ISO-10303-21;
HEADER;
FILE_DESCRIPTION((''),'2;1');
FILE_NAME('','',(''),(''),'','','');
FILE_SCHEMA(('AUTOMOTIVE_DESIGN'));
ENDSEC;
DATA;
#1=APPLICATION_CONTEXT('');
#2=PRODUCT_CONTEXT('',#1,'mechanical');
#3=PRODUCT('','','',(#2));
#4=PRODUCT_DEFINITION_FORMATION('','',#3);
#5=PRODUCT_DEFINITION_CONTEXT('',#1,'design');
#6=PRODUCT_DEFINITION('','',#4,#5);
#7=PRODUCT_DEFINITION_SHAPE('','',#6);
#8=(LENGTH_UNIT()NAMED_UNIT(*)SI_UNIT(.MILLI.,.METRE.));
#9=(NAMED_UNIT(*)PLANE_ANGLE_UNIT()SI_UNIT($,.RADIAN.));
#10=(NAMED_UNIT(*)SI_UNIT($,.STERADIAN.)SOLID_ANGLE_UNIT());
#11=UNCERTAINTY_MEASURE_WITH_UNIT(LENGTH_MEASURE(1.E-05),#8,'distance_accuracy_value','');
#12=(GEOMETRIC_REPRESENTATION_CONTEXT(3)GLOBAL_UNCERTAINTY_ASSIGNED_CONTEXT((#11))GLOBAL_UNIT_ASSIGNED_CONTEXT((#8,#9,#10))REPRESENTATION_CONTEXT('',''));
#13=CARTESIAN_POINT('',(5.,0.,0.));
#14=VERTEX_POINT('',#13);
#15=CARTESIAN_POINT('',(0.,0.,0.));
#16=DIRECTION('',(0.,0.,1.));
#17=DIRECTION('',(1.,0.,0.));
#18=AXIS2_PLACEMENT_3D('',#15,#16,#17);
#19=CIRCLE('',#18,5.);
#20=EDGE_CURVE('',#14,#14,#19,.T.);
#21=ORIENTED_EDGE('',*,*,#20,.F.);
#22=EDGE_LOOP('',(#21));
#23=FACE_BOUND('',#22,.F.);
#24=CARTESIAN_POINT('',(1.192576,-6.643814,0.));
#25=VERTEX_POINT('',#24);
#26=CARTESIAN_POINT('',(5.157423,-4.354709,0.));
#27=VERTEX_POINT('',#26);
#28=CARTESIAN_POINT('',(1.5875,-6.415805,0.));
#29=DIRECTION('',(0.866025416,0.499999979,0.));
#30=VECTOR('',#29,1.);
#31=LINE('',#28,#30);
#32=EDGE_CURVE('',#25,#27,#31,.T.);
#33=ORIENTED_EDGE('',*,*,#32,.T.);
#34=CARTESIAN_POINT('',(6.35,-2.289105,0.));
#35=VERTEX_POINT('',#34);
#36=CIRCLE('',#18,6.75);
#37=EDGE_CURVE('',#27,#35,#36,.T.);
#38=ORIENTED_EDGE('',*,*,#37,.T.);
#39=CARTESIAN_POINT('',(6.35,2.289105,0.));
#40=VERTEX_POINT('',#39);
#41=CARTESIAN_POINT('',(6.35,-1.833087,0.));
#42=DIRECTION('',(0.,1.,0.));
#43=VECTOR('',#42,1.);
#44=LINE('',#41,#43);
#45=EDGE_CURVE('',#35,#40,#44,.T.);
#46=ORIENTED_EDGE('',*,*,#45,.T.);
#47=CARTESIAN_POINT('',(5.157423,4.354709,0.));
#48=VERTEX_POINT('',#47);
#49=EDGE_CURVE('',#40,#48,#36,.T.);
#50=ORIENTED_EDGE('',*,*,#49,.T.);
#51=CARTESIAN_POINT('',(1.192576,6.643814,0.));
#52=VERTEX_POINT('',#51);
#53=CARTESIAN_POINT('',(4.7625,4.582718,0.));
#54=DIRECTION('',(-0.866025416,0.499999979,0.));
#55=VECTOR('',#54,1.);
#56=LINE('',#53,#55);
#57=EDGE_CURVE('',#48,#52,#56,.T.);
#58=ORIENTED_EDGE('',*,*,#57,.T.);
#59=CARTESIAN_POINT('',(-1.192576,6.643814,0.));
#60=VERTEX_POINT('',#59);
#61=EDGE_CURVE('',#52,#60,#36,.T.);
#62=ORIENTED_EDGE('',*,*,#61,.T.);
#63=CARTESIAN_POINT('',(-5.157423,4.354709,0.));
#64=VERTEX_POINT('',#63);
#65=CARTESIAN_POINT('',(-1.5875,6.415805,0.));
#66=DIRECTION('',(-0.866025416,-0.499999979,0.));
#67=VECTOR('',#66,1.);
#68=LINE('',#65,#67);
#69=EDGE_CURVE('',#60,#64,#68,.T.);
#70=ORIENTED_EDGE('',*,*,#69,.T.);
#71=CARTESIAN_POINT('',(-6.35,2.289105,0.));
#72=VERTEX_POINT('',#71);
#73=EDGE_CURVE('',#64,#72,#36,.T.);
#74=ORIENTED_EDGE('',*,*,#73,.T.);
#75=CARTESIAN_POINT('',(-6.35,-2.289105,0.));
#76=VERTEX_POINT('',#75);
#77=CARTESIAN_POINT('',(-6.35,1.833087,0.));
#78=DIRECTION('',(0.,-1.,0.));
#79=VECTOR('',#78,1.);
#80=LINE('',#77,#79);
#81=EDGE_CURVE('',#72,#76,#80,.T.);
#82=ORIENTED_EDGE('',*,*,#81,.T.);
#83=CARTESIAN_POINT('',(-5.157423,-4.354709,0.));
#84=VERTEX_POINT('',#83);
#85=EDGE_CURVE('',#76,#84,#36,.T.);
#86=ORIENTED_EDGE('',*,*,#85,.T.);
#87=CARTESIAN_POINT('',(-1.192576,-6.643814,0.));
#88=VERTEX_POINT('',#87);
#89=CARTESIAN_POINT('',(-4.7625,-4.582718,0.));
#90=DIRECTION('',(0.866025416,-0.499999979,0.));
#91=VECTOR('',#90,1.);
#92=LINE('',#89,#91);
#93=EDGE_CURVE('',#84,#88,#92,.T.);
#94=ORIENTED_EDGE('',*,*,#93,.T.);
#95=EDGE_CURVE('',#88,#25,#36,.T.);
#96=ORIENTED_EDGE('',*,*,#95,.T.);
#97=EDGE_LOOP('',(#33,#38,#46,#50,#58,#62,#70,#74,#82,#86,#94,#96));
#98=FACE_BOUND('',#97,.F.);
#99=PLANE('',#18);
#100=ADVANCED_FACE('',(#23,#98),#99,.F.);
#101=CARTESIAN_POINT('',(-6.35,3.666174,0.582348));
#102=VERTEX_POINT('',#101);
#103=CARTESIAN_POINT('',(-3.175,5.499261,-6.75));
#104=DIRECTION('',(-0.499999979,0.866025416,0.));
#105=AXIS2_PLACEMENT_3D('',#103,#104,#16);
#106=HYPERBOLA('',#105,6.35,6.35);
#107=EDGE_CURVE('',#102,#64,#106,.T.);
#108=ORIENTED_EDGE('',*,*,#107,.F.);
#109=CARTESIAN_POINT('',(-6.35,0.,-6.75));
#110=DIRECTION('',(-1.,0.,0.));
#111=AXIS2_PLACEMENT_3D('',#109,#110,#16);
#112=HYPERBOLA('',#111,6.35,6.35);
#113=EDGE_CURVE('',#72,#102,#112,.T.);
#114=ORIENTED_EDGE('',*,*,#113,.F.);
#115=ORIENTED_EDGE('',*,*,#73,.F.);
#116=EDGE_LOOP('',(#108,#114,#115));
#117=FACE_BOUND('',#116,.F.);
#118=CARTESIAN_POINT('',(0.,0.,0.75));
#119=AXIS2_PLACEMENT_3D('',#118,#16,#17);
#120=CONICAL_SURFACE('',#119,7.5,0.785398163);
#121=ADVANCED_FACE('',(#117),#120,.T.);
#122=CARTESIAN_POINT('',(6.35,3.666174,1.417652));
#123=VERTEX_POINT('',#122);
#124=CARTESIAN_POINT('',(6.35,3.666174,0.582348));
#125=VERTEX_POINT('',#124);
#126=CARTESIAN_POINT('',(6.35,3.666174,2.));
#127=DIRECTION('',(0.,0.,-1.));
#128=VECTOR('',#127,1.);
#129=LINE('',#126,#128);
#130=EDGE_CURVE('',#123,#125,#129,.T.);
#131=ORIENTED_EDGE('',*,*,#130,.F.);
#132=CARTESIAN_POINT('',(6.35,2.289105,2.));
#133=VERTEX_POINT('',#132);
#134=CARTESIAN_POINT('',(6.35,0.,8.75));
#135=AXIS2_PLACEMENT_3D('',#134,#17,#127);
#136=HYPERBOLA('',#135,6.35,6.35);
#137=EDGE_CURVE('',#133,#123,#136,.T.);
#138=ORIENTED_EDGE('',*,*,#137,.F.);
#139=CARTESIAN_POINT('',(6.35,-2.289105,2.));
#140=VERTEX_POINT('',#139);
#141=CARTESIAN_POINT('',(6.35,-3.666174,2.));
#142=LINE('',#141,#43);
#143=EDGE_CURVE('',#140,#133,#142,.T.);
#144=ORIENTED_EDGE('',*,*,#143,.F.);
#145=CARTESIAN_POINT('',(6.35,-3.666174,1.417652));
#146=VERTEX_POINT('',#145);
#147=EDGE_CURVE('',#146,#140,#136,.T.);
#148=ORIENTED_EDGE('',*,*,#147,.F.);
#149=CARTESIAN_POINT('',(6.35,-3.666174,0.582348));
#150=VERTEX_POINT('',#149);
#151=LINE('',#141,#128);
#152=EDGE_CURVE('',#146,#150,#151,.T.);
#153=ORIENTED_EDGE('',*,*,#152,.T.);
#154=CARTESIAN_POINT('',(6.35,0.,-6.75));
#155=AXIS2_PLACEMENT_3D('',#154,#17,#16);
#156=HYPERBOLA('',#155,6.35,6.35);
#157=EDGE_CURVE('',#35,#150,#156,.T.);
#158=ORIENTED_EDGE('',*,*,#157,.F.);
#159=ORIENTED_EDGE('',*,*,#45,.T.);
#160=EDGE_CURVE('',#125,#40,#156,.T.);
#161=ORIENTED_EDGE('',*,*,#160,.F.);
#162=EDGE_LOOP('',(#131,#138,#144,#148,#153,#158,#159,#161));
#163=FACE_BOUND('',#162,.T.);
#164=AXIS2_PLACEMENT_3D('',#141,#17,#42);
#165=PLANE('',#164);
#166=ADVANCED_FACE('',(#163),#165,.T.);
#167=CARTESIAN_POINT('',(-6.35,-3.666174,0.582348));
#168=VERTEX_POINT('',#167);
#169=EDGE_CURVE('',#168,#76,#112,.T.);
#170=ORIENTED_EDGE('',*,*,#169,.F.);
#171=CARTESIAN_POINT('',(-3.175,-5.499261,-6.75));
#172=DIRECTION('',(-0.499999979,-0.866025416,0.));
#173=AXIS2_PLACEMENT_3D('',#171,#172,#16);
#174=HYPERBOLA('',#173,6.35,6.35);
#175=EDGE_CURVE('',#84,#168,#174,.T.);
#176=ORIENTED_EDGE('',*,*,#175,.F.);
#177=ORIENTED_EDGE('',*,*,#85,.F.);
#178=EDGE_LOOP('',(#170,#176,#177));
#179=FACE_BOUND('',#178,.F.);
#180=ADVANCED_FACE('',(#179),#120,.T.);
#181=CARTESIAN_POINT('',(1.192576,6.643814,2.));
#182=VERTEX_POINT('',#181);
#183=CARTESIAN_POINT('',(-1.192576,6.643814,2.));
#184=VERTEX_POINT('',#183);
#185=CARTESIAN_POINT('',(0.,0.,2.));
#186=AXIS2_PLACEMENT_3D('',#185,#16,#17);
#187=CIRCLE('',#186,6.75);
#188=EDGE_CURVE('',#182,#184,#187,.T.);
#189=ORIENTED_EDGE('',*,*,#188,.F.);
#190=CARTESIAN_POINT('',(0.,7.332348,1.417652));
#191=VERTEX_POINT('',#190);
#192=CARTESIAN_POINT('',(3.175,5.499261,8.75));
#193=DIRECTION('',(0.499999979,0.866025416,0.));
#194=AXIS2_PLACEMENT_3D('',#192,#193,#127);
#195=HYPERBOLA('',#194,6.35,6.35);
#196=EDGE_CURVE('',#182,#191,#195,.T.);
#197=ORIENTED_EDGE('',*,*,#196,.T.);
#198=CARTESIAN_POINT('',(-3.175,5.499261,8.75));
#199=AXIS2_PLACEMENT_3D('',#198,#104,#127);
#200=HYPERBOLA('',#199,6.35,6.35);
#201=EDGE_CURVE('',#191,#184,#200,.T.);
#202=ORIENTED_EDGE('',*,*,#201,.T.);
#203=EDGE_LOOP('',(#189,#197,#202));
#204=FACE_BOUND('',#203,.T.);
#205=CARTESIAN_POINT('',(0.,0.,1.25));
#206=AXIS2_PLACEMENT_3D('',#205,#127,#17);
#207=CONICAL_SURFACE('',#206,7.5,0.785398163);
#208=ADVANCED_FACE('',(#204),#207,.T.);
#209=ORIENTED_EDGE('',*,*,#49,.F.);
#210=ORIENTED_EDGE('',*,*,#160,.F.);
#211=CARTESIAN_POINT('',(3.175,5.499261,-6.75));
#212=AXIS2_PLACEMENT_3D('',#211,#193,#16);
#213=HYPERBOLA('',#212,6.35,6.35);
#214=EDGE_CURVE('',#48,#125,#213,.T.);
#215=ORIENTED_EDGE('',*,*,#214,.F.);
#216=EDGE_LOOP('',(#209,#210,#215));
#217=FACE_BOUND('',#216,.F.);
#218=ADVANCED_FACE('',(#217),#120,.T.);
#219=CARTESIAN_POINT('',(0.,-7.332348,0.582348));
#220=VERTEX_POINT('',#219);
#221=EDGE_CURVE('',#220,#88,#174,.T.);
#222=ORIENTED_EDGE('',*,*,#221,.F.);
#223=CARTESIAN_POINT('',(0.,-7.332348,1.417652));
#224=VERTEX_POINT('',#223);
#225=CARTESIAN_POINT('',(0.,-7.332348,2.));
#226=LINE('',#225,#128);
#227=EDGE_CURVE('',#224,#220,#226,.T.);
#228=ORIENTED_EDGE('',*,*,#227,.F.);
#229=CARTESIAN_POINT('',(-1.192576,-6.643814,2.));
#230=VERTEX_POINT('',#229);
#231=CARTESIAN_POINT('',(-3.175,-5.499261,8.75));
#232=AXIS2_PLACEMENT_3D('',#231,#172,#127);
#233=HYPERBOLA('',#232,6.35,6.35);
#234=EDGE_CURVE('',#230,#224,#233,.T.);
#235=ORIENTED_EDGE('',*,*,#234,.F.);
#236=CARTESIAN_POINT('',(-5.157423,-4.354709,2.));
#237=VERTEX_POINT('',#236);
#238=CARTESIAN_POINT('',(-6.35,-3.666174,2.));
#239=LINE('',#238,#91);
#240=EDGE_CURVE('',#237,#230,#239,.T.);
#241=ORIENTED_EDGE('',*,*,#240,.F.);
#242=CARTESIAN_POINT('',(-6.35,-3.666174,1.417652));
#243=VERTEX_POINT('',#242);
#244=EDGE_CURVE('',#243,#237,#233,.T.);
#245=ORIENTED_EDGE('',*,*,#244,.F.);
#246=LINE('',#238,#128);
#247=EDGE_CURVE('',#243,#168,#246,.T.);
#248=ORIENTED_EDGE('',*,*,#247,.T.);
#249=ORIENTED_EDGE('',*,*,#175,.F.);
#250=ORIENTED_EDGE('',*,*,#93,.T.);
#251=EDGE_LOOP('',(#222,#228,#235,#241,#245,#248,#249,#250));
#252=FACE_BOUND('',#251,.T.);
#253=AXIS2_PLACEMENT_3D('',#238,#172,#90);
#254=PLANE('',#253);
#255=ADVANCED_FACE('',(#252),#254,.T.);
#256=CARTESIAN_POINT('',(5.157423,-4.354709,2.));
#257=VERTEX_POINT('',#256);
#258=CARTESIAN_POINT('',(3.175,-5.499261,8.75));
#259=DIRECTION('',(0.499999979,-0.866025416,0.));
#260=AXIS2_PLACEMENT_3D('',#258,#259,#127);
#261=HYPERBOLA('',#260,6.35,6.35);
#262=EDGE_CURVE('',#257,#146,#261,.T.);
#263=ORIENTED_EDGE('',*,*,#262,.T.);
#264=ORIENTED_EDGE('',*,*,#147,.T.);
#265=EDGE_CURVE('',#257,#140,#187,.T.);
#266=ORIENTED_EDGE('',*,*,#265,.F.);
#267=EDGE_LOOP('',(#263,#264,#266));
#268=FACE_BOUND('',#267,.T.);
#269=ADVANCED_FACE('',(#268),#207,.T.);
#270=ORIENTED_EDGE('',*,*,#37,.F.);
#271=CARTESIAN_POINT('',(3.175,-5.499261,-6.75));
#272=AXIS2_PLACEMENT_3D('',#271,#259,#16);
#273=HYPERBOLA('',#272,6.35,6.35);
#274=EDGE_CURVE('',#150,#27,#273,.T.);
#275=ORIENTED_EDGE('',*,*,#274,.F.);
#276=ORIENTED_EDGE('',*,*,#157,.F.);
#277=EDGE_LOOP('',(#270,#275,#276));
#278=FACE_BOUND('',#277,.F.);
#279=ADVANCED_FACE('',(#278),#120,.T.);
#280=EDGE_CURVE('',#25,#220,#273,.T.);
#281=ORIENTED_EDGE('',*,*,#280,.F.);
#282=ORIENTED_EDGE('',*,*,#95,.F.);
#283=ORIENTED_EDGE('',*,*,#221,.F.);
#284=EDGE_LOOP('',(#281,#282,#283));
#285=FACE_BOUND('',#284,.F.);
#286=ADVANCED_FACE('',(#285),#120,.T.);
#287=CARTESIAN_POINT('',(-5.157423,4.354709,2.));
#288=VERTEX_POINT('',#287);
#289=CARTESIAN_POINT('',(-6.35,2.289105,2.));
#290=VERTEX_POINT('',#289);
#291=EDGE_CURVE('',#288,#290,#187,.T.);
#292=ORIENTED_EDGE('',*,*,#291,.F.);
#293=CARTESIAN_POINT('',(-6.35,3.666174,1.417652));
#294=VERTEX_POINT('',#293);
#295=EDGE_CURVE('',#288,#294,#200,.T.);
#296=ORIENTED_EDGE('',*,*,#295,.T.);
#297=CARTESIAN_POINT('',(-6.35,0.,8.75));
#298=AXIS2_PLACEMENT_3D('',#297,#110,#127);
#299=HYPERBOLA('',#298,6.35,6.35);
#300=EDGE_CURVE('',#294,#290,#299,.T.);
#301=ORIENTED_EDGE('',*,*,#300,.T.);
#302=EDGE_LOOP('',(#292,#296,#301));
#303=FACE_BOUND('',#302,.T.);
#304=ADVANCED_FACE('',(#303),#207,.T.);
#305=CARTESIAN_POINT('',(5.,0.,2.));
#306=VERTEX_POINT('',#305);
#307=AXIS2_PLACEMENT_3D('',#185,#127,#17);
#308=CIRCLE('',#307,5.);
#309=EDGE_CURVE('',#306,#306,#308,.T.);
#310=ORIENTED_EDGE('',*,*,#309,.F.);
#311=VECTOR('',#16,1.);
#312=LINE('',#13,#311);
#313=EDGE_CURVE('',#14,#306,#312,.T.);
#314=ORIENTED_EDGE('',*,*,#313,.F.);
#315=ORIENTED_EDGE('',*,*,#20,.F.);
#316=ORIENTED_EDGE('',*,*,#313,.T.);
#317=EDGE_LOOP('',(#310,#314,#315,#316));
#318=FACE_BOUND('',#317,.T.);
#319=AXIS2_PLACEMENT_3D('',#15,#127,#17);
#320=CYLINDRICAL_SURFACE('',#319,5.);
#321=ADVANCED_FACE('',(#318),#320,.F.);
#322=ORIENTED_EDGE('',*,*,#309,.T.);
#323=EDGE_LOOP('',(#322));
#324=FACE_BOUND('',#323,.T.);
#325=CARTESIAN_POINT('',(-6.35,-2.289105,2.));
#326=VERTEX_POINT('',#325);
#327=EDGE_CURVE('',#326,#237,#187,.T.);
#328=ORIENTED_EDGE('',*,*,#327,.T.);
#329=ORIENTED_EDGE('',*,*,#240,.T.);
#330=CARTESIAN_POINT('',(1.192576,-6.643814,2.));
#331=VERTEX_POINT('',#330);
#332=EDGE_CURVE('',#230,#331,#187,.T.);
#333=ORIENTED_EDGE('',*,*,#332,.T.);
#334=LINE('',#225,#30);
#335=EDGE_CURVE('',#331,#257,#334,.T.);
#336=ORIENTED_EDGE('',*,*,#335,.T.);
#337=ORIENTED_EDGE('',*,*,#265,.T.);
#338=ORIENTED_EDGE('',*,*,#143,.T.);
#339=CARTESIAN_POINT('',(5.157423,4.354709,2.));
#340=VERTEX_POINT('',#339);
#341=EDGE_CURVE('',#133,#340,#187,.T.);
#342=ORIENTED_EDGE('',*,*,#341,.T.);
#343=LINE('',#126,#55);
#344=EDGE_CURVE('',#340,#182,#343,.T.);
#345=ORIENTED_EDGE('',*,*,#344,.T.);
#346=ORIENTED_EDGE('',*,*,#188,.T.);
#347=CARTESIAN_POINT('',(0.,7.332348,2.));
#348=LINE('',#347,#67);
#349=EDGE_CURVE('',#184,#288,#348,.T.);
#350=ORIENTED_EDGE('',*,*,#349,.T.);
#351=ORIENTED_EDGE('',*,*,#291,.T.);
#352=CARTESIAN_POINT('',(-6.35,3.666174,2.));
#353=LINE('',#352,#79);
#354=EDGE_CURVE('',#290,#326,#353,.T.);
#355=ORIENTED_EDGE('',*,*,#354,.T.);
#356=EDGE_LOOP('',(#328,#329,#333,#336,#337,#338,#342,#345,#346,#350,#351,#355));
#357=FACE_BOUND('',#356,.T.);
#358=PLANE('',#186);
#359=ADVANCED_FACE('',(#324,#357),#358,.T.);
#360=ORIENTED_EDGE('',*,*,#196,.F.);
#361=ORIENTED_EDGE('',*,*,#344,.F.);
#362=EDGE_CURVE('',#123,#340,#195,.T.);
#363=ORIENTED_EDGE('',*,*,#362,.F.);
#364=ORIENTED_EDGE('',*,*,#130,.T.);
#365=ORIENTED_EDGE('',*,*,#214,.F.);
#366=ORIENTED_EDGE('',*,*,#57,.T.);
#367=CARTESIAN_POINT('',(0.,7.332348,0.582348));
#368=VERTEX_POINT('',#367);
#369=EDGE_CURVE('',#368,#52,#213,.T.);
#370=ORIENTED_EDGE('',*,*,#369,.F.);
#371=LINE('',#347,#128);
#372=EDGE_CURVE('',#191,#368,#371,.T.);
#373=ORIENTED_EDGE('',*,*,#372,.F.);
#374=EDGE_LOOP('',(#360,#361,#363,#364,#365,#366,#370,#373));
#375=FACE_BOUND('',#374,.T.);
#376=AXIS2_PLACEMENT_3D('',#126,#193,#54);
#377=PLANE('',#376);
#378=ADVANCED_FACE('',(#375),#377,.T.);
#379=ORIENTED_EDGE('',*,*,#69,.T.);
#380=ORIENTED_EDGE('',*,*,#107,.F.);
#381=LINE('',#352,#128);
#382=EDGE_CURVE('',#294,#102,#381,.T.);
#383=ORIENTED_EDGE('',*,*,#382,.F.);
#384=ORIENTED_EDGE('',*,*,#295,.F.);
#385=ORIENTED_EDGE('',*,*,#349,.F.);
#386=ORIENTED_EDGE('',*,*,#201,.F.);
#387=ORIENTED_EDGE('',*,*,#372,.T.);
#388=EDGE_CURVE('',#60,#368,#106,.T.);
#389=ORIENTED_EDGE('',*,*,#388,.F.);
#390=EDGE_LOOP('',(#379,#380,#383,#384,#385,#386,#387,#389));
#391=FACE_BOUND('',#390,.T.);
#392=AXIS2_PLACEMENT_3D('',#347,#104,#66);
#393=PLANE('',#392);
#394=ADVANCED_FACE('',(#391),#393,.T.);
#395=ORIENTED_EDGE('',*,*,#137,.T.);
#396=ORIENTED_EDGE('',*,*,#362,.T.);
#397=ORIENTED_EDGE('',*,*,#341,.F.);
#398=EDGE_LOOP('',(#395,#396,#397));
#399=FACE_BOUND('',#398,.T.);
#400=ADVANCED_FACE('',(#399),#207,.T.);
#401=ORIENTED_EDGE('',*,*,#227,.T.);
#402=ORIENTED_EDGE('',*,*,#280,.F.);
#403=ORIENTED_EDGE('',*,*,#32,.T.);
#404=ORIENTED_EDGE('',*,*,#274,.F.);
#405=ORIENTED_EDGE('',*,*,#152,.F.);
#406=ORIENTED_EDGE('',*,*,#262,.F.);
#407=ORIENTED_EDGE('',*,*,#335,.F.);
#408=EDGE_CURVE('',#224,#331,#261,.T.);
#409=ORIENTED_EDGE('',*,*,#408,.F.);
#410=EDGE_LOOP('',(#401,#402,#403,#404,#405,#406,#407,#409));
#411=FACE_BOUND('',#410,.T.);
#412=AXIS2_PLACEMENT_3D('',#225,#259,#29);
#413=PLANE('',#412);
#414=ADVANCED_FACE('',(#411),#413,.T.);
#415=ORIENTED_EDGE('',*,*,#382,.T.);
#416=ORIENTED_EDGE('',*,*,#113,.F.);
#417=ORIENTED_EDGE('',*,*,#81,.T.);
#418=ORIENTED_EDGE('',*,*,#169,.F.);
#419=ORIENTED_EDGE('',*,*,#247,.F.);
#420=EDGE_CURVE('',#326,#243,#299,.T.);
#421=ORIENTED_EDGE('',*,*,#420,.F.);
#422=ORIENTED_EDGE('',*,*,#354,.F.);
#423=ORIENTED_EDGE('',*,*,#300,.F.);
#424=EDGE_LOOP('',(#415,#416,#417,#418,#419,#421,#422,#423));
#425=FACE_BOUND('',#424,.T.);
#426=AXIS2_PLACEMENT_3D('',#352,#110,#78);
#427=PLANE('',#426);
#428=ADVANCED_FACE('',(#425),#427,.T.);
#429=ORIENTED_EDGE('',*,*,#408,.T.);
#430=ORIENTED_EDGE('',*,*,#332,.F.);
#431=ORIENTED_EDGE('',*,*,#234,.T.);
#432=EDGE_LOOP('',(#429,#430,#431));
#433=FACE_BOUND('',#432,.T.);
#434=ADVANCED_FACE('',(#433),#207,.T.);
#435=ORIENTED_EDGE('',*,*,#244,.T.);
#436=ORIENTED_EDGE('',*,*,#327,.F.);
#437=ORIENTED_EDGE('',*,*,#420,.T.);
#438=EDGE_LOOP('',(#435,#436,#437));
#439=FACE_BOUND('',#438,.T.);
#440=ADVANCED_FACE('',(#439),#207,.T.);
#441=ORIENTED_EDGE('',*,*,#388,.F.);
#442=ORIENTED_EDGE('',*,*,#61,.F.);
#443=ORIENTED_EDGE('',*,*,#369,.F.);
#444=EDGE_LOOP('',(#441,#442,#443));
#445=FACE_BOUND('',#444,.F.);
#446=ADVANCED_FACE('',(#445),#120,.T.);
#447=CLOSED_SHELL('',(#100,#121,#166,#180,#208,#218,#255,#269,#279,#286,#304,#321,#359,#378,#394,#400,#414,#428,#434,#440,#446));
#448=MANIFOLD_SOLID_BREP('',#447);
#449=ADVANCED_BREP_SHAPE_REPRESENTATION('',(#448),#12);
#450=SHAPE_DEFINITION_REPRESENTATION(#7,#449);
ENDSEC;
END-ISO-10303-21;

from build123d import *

# Parameters (mm, degrees)
SKETCH018_R          = 7.5
PAD_DEPTH            = 2
CHAMFER_SIZE         = 0.75
CHAMFER001_SIZE      = 0.75
SKETCH019_R          = 8.401279
POCKET015_DEPTH      = 2.001
POCKET015_DEPTH_BACK = 0.001
SKETCH020_R          = 5
POCKET016_DEPTH      = 0.001
POCKET016_DEPTH_BACK = 2.001


with BuildPart() as part:
    # Sketch018 → Pad (new body)
    with BuildSketch(Plane.XY):
        Circle(SKETCH018_R)
    extrude(amount=PAD_DEPTH)

    # Chamfer
    chamfer_edges = [part.edges().sort_by_distance(p)[0] for p in [
        (-7.5, 0, 2),
    ]]
    chamfer(chamfer_edges, length=CHAMFER_SIZE)

    # Chamfer001
    chamfer001_edges = [part.edges().sort_by_distance(p)[0] for p in [
        (-7.5, 0, 0),
    ]]
    chamfer(chamfer001_edges, length=CHAMFER001_SIZE)

    # Sketch019 (on Face3 of Pad) → Pocket015 (cut, two sides)
    with BuildSketch(Plane.XY.offset(2)) as pocket015_sk:
        Circle(SKETCH019_R)
        Polygon((0, 7.332348), (-6.35, 3.666174), (-6.35, -3.666174), (0, -7.332348), (6.35, -3.666174), (6.35, 3.666174), align=None, mode=Mode.SUBTRACT)
    extrude(amount=-POCKET015_DEPTH, mode=Mode.SUBTRACT)
    extrude(pocket015_sk.sketch, amount=POCKET015_DEPTH_BACK, mode=Mode.SUBTRACT)

    # Sketch020 → Pocket016 (cut, two sides)
    with BuildSketch(Plane.XY) as pocket016_sk:
        Circle(SKETCH020_R)
    extrude(amount=-POCKET016_DEPTH, mode=Mode.SUBTRACT)
    extrude(pocket016_sk.sketch, amount=POCKET016_DEPTH_BACK, mode=Mode.SUBTRACT)


solid = part.part
